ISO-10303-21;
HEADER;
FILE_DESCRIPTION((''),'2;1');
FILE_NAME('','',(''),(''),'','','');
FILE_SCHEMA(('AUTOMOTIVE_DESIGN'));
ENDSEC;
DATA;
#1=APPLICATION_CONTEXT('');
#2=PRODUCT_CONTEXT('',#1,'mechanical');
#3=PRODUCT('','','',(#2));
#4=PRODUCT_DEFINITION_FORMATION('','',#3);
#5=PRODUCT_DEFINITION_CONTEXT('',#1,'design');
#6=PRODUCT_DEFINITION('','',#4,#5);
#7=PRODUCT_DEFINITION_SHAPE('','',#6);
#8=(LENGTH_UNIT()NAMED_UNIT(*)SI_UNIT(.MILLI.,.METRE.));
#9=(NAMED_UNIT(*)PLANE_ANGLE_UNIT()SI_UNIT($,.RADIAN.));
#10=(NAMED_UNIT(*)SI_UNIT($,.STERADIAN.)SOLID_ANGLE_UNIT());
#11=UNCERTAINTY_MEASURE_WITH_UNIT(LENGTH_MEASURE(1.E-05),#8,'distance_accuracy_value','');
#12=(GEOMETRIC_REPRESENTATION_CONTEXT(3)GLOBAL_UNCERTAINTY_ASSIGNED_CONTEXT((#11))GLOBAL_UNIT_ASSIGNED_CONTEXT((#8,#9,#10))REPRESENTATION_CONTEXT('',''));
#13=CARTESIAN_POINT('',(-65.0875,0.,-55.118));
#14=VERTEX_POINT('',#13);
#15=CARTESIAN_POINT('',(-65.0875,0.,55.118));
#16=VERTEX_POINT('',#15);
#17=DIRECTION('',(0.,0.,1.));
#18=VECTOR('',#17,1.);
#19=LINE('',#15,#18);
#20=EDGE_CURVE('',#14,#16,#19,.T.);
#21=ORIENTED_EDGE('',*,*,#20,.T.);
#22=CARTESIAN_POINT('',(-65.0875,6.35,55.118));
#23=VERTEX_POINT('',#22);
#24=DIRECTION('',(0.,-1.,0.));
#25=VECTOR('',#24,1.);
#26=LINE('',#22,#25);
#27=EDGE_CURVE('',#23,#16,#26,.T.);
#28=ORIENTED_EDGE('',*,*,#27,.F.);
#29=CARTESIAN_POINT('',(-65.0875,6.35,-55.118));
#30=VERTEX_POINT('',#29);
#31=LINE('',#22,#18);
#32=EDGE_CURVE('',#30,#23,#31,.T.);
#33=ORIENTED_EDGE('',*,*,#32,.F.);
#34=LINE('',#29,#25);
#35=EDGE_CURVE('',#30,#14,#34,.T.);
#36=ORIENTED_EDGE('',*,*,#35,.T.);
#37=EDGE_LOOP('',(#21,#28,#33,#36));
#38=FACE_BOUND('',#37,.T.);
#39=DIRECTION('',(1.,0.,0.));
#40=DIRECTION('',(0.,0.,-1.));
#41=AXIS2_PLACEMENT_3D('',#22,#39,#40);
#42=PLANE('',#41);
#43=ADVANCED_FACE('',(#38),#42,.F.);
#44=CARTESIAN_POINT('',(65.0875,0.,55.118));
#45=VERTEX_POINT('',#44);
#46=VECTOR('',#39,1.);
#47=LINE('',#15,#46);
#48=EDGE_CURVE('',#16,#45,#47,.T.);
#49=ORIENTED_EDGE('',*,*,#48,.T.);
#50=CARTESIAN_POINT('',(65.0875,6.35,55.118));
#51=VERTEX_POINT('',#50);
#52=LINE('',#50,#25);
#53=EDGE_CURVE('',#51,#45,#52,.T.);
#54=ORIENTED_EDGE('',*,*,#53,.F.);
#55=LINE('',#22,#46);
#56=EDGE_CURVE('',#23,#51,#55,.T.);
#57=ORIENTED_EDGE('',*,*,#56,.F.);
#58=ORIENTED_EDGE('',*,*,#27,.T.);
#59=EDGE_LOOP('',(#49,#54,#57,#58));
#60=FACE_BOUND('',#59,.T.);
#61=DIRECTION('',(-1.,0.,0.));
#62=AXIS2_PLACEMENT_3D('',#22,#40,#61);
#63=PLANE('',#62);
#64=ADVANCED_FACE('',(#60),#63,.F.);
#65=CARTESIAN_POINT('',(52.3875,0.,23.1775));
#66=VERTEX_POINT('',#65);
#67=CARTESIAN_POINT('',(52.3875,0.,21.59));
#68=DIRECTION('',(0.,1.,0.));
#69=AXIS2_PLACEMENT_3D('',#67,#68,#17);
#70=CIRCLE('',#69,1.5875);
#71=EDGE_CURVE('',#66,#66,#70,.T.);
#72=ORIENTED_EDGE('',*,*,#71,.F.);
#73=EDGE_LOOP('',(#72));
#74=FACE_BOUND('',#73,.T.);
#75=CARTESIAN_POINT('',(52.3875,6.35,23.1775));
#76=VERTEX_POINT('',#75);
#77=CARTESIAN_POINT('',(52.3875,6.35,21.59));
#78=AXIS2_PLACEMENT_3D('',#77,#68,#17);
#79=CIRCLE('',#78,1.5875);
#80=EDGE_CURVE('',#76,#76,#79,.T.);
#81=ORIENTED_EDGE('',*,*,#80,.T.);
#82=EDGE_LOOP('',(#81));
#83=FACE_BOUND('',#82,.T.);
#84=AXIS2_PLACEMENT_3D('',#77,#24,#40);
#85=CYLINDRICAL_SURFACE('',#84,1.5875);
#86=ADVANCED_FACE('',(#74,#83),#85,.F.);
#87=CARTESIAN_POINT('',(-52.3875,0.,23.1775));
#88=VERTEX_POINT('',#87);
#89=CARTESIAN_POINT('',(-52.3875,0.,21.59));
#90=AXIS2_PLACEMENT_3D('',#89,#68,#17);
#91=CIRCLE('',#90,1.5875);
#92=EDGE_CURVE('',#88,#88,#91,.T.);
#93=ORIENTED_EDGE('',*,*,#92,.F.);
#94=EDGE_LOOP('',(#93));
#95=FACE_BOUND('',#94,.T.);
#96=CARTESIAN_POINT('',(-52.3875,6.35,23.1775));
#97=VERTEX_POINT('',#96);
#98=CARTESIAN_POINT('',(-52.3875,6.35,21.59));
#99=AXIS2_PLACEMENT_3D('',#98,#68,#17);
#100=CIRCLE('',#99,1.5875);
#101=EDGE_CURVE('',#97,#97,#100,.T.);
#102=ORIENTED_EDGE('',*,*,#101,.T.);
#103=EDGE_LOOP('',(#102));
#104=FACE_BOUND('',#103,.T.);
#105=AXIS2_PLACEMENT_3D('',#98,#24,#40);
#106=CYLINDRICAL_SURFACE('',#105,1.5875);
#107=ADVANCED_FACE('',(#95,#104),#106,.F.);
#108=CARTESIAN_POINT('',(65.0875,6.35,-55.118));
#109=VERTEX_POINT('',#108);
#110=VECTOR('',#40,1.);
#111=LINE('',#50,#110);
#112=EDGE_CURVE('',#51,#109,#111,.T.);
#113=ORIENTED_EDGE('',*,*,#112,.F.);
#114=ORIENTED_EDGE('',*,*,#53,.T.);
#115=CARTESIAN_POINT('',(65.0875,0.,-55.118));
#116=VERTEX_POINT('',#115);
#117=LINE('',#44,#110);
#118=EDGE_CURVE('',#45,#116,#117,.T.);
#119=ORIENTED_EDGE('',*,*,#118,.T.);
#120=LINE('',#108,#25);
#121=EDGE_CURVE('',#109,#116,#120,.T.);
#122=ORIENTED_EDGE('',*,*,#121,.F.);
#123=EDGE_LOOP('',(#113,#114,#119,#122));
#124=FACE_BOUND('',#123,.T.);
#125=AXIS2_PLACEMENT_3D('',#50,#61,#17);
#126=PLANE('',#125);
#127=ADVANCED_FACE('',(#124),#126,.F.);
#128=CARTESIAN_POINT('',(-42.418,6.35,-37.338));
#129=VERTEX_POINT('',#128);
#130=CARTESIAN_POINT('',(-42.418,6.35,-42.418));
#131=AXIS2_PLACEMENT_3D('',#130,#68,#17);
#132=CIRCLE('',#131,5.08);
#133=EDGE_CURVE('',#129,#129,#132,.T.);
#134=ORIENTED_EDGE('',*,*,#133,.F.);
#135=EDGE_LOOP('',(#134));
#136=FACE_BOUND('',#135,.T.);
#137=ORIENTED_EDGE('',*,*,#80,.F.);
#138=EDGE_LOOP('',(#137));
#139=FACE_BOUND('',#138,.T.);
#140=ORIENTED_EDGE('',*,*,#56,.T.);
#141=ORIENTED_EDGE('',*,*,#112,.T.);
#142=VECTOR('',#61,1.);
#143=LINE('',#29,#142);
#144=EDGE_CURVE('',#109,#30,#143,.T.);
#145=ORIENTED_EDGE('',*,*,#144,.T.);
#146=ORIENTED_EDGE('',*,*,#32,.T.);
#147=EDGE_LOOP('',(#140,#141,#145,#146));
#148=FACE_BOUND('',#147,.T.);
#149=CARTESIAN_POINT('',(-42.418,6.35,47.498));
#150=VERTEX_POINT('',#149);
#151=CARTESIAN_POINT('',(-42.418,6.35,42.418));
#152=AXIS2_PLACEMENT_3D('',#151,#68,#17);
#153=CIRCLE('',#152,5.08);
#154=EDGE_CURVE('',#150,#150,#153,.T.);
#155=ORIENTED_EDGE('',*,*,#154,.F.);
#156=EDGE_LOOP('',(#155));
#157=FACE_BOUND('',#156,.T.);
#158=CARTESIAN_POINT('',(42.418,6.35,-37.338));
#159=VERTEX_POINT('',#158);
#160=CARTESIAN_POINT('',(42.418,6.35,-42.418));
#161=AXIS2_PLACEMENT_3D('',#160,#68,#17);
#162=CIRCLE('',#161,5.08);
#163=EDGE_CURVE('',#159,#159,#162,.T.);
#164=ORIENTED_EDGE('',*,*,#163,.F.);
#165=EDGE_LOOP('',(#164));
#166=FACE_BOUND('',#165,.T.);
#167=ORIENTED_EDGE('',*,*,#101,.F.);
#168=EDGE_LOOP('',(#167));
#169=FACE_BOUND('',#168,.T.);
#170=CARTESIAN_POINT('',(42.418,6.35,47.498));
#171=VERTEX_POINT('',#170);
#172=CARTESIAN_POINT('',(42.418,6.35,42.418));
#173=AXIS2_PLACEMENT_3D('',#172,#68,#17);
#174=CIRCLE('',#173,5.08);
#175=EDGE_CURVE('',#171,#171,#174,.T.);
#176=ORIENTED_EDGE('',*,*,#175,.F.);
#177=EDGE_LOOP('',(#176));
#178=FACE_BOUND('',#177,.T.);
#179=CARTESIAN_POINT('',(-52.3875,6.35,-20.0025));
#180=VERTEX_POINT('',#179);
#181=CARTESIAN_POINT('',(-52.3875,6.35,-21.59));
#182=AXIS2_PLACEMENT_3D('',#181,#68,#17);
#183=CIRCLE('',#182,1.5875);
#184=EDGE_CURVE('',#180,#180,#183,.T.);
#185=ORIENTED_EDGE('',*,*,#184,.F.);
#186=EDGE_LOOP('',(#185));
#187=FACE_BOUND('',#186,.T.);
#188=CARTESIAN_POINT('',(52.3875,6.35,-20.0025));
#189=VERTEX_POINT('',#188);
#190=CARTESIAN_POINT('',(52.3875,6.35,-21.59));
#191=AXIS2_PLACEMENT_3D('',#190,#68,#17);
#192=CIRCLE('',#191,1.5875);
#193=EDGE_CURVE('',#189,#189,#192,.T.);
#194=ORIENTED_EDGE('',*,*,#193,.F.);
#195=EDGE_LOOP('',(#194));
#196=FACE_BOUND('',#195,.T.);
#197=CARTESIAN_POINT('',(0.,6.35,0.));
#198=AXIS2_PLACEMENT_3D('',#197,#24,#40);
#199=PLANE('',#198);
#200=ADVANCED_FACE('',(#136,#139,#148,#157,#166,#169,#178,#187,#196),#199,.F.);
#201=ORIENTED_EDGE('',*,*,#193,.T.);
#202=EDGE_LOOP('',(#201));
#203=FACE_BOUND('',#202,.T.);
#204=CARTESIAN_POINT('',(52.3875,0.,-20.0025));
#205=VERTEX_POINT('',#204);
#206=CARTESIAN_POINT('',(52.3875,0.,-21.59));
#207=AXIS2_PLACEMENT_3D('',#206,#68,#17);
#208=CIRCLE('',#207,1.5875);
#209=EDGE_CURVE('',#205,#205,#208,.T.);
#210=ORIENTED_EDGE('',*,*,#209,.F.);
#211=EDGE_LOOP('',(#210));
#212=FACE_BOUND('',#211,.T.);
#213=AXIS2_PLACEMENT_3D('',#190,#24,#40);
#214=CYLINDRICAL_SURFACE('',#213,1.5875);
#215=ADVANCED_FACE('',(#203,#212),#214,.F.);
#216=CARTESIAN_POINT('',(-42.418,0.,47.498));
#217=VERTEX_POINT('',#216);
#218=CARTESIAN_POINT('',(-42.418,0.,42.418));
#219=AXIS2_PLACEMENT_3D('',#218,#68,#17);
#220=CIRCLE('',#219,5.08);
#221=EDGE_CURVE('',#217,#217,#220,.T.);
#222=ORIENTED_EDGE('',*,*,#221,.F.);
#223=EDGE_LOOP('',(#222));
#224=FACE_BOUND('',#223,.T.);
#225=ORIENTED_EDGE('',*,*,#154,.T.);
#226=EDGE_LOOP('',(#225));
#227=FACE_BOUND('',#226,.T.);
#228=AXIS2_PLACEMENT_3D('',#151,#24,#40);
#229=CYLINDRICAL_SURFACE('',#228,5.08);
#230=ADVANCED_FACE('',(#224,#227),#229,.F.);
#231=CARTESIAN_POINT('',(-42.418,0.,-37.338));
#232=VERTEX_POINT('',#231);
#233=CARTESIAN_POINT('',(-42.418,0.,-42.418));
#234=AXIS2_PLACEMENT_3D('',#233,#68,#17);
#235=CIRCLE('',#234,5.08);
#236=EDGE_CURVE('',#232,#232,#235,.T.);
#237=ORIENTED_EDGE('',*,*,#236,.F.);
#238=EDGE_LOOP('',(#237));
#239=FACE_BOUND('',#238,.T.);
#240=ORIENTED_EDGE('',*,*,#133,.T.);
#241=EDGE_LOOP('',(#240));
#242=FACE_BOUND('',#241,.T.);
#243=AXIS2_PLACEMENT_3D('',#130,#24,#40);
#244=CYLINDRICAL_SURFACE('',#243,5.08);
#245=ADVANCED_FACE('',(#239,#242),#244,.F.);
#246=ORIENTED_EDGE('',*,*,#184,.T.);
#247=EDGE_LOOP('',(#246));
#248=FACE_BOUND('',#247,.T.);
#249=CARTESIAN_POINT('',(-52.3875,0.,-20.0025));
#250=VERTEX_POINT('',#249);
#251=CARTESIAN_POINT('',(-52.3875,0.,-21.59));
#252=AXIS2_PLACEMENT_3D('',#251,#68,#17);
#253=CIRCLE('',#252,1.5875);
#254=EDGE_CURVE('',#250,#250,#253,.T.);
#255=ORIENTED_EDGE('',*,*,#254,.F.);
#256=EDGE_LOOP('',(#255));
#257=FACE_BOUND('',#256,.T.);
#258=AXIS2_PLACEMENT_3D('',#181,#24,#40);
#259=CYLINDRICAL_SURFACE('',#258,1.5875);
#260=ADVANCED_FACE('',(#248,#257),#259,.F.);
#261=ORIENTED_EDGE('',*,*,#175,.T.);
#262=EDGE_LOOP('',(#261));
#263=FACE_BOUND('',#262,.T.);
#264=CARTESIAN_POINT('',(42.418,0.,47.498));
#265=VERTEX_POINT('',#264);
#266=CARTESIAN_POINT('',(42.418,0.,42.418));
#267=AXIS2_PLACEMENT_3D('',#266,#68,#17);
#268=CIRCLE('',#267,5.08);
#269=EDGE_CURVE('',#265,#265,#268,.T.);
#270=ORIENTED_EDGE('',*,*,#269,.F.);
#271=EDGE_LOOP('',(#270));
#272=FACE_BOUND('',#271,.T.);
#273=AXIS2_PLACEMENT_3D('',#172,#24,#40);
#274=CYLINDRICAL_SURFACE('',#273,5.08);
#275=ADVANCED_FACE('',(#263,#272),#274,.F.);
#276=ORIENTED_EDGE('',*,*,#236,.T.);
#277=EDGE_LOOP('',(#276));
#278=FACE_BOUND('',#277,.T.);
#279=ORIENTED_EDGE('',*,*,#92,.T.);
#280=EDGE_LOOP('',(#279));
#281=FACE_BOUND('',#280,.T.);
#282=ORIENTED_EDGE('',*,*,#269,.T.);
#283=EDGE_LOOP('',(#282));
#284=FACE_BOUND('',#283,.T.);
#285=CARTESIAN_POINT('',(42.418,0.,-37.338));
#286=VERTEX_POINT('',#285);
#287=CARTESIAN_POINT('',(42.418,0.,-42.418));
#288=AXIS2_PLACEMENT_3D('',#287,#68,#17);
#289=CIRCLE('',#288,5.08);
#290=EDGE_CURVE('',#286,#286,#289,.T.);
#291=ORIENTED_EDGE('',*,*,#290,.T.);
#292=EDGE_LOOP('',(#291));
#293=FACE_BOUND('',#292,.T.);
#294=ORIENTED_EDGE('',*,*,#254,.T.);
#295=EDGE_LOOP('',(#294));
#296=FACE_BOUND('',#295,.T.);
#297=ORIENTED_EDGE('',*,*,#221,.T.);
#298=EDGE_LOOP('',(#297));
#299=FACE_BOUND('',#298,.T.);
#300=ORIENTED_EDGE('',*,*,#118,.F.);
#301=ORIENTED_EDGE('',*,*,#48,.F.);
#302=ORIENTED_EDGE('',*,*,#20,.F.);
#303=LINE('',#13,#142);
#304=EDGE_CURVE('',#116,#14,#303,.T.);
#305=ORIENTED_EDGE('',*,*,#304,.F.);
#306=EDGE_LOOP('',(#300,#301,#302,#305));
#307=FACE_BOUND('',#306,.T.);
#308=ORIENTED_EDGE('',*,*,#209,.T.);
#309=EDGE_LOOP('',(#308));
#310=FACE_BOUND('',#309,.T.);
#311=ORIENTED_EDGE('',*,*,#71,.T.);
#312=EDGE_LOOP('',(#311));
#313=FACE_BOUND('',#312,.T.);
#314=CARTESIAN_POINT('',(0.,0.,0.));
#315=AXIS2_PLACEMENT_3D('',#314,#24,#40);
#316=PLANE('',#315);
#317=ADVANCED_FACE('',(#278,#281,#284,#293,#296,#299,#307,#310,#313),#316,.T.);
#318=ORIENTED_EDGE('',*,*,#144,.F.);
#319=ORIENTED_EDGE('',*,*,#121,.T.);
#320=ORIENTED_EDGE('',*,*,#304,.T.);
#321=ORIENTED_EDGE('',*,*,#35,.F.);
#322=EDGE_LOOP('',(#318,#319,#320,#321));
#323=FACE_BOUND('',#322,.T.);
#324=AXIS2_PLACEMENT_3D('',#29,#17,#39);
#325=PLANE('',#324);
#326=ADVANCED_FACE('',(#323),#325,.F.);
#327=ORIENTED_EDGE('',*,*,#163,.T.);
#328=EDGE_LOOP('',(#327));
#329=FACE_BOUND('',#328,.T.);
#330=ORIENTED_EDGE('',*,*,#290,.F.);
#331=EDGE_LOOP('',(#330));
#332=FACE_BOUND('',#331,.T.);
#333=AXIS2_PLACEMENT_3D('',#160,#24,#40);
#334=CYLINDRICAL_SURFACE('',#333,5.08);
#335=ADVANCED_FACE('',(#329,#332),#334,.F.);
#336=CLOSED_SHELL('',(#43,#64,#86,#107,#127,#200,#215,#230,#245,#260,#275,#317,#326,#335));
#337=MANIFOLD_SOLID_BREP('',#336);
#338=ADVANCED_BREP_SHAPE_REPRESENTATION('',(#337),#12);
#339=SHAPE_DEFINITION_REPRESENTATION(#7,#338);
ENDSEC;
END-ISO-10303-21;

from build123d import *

# Parameters (mm, degrees)
SKETCH1_W           = 130.175
SKETCH1_H           = 110.236
SKETCH1_R           = 1.5875
SKETCH1_R_2         = 5.08
BOSS_EXTRUDE1_DEPTH = 6.35


with BuildPart() as part:
    # Sketch1 → Boss-Extrude1 (new body)
    with BuildSketch(Plane(origin=(0, 0, 0), x_dir=(1, 0, 0), z_dir=(0, 1, 0))):
        Rectangle(SKETCH1_W, SKETCH1_H)
        with Locations(Location((-52.3875, 21.59, 0), (0, 0, 270))):
            Circle(SKETCH1_R, mode=Mode.SUBTRACT)
        with Locations(Location((52.3875, 21.59, 0), (0, 0, 270))):
            Circle(SKETCH1_R, mode=Mode.SUBTRACT)
        with Locations(Location((52.3875, -21.59, 0), (0, 0, 270))):
            Circle(SKETCH1_R, mode=Mode.SUBTRACT)
        with Locations(Location((-52.3875, -21.59, 0), (0, 0, 270))):
            Circle(SKETCH1_R, mode=Mode.SUBTRACT)
        with Locations(Location((-42.418, 42.418, 0), (0, 0, 270))):
            Circle(SKETCH1_R_2, mode=Mode.SUBTRACT)
        with Locations(Location((42.418, 42.418, 0), (0, 0, 270))):
            Circle(SKETCH1_R_2, mode=Mode.SUBTRACT)
        with Locations(Location((42.418, -42.418, 0), (0, 0, 270))):
            Circle(SKETCH1_R_2, mode=Mode.SUBTRACT)
        with Locations(Location((-42.418, -42.418, 0), (0, 0, 270))):
            Circle(SKETCH1_R_2, mode=Mode.SUBTRACT)
    extrude(amount=BOSS_EXTRUDE1_DEPTH)


solid = part.part
